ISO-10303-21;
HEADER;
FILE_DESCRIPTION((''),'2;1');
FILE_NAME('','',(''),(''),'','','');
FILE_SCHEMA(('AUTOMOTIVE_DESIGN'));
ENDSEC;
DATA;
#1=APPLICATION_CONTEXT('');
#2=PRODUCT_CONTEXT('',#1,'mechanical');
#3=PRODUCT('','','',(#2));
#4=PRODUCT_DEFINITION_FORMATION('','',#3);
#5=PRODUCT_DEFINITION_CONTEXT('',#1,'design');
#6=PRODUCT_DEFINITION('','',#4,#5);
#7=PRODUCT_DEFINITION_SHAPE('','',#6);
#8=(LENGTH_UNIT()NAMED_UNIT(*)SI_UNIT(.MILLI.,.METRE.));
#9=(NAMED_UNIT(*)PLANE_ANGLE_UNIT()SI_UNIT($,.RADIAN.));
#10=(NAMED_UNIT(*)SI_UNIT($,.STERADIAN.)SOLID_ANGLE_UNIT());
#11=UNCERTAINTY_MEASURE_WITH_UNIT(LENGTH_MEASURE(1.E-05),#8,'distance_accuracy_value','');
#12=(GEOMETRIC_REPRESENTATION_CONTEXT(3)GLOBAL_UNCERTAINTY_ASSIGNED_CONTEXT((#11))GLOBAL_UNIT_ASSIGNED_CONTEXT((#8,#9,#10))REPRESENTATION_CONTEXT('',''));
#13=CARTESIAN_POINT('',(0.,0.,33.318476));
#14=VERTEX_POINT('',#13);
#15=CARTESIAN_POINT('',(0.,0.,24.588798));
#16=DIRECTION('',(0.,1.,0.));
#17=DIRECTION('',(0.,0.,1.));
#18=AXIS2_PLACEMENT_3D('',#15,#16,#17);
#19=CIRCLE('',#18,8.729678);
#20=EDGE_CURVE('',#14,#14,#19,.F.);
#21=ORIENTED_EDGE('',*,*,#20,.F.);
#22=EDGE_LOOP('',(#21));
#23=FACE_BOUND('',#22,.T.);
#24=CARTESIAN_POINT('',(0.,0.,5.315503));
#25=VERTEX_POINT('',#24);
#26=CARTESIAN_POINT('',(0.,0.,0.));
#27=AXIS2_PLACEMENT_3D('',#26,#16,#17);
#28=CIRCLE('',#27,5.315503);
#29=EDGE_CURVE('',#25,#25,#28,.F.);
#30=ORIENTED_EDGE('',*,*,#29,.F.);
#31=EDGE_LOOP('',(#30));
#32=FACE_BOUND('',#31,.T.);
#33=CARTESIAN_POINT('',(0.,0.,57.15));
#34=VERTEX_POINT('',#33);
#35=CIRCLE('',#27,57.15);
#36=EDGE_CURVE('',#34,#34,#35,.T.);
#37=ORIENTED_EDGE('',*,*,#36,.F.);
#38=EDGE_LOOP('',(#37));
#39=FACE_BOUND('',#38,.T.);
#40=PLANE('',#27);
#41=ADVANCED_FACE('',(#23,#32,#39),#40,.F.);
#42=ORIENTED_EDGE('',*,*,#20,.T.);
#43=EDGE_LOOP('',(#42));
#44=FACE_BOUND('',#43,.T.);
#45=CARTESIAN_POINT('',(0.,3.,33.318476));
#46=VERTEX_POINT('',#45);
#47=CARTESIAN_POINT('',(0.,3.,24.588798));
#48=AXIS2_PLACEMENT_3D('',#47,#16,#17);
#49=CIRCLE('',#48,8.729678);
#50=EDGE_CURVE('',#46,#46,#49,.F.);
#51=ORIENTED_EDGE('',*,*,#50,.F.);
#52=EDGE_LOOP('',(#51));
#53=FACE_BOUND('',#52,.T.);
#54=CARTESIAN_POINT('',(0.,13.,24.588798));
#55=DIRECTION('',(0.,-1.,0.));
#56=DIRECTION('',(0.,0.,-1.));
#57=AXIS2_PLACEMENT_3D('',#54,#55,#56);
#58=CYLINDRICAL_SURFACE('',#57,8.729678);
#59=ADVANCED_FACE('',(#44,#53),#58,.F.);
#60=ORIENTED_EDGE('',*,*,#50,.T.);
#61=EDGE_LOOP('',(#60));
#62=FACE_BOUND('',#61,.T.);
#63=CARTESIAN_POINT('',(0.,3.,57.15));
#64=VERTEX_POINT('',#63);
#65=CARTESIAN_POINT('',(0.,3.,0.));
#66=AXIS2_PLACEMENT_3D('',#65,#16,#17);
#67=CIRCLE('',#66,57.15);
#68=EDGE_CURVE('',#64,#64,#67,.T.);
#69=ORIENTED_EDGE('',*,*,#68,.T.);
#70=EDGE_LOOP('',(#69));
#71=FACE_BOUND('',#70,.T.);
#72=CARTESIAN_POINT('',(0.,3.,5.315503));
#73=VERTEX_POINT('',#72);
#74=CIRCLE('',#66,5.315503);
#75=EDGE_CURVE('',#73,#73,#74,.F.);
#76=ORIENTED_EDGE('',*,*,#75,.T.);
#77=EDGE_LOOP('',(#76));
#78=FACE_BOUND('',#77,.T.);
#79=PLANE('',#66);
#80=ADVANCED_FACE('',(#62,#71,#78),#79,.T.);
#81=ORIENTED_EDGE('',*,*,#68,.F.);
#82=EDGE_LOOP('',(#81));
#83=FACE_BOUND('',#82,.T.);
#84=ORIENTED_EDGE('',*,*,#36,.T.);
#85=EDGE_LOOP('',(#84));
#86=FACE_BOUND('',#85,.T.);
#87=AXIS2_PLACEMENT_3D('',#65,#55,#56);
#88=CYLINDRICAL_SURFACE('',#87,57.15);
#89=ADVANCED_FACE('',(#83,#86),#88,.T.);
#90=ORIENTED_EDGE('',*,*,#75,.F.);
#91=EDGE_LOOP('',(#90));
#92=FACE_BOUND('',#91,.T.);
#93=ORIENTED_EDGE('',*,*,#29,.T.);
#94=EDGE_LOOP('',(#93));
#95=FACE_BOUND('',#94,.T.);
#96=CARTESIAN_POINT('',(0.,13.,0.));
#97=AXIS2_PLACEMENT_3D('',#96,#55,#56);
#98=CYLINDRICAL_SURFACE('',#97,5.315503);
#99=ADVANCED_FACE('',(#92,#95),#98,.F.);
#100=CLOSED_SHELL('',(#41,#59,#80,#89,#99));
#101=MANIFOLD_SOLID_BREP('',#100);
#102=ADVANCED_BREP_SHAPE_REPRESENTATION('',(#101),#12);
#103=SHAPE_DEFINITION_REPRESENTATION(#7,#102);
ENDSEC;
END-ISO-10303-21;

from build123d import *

# Parameters (mm, degrees)
SKETCH1_R               = 57.15
BOSS_EXTRUDE1_DEPTH     = 3
SKETCH2_R               = 5.315503086
SKETCH2_R_2             = 8.729677968
CUT_EXTRUDE2_DEPTH      = 13
CUT_EXTRUDE2_DEPTH_BACK = 3


with BuildPart() as part:
    # Sketch1 → Boss-Extrude1 (new body)
    with BuildSketch(Plane(origin=(0, 0, 0), x_dir=(1, 0, 0), z_dir=(0, 1, 0))):
        Circle(SKETCH1_R)
    extrude(amount=BOSS_EXTRUDE1_DEPTH)

    # Sketch2 → Cut-Extrude2 (cut, two sides)
    with BuildSketch(Plane(origin=(0, 0, 0), x_dir=(1, 0, 0), z_dir=(0, 1, 0))) as cut_extrude2_sk:
        Circle(SKETCH2_R)
        with Locations((0, -24.58879827)):
            Circle(SKETCH2_R_2)
    extrude(amount=CUT_EXTRUDE2_DEPTH, mode=Mode.SUBTRACT)
    extrude(cut_extrude2_sk.sketch, amount=-CUT_EXTRUDE2_DEPTH_BACK, mode=Mode.SUBTRACT)


solid = part.part
